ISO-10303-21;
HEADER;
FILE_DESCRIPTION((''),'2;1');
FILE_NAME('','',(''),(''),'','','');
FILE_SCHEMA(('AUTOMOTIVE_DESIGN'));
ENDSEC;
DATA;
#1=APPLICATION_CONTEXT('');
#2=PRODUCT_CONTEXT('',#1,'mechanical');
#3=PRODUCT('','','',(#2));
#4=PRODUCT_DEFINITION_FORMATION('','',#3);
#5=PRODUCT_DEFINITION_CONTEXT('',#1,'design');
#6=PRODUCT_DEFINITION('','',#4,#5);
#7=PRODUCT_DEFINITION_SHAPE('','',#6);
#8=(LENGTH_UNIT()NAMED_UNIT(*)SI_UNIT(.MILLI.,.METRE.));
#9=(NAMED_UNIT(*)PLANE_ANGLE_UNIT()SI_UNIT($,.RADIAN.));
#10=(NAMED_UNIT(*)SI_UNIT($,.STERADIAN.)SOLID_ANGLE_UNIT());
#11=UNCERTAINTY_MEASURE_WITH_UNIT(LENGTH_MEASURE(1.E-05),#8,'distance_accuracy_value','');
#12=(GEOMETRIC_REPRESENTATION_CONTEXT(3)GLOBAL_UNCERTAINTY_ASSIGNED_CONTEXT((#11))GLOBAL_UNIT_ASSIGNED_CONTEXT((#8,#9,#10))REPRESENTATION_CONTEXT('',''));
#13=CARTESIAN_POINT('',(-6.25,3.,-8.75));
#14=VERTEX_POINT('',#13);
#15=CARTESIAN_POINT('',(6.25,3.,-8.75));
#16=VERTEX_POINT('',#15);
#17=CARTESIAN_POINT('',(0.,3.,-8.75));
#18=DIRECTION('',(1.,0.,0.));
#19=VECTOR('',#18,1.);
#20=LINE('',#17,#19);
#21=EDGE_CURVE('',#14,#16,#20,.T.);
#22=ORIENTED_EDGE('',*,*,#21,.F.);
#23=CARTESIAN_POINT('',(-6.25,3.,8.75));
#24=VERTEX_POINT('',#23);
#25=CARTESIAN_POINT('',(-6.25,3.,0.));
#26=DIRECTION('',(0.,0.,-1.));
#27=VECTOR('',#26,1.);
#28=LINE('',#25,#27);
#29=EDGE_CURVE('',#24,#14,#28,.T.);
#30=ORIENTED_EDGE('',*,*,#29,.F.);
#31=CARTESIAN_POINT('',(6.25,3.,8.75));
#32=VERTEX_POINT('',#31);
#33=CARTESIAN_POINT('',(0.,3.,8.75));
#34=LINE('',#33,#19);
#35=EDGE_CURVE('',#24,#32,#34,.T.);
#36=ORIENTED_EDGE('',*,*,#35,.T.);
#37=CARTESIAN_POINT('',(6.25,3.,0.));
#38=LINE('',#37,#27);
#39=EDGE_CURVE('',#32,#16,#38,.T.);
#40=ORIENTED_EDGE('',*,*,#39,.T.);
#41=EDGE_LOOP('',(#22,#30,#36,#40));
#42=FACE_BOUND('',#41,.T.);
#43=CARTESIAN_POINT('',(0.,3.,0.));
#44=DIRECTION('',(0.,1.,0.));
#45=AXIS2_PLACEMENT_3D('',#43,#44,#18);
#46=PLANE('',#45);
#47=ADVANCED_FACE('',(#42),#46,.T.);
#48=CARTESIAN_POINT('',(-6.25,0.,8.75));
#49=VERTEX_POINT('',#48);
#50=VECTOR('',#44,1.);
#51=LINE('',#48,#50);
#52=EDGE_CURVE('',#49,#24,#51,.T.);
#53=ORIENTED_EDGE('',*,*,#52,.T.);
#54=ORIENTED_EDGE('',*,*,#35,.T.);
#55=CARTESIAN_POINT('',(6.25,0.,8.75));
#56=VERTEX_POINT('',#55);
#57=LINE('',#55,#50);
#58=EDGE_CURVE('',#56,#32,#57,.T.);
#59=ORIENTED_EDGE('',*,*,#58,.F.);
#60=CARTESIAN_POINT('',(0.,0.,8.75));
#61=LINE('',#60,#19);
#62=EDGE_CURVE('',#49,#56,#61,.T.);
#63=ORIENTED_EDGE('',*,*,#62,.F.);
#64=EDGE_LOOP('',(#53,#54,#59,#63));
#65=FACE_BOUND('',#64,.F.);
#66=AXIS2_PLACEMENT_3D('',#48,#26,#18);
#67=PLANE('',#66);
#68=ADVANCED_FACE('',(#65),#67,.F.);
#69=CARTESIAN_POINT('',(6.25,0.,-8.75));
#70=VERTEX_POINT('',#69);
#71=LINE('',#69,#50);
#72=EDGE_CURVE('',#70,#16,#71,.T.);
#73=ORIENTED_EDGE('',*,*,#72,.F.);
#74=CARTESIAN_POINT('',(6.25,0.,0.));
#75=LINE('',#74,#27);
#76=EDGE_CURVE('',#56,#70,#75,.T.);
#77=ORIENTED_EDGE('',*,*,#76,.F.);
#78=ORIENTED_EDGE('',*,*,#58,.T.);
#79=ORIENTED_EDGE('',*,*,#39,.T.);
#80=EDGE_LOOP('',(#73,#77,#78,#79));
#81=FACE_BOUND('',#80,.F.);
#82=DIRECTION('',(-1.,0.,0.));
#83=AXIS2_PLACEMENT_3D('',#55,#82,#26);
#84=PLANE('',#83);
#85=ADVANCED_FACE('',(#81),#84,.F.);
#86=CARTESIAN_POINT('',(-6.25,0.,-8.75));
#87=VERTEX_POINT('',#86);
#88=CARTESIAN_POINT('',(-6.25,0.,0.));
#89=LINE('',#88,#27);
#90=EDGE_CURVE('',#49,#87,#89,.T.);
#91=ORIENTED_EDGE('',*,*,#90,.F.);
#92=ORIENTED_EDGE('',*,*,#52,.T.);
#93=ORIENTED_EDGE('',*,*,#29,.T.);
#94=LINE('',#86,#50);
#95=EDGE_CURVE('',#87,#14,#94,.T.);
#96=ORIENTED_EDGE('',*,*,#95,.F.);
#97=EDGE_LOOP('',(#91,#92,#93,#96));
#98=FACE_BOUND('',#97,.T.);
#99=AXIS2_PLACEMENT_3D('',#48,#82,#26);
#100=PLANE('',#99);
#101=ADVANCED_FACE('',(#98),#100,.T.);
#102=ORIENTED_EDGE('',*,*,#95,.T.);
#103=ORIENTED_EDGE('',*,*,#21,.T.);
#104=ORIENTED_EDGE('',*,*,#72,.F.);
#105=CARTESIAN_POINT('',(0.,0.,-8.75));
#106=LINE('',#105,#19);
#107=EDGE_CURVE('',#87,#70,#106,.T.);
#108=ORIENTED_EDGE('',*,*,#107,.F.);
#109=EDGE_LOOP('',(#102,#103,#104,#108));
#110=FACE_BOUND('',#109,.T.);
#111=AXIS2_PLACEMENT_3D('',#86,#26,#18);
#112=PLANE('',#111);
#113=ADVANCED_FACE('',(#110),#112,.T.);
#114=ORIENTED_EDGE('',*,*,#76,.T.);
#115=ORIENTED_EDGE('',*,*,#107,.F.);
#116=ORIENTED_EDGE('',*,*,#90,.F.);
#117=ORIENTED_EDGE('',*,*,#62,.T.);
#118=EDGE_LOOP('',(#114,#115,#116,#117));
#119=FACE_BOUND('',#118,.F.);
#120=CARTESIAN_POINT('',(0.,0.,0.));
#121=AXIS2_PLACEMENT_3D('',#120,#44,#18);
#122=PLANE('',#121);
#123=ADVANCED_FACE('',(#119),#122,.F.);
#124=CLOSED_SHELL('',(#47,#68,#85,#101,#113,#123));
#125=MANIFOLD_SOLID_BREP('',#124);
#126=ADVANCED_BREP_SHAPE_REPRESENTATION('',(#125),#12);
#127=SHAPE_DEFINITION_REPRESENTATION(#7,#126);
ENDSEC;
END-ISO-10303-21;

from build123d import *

# Parameters (mm, degrees)
SKETCH_1_W      = 12.5
SKETCH_1_H      = 17.5
EXTRUDE_1_DEPTH = 3


with BuildPart() as part:
    # 草图1 → 凸台-拉伸1 (new body)
    with BuildSketch(Plane(origin=(0, 0, 0), x_dir=(1, 0, 0), z_dir=(0, 1, 0))):
        Rectangle(SKETCH_1_W, SKETCH_1_H)
    extrude(amount=EXTRUDE_1_DEPTH)


solid = part.part
